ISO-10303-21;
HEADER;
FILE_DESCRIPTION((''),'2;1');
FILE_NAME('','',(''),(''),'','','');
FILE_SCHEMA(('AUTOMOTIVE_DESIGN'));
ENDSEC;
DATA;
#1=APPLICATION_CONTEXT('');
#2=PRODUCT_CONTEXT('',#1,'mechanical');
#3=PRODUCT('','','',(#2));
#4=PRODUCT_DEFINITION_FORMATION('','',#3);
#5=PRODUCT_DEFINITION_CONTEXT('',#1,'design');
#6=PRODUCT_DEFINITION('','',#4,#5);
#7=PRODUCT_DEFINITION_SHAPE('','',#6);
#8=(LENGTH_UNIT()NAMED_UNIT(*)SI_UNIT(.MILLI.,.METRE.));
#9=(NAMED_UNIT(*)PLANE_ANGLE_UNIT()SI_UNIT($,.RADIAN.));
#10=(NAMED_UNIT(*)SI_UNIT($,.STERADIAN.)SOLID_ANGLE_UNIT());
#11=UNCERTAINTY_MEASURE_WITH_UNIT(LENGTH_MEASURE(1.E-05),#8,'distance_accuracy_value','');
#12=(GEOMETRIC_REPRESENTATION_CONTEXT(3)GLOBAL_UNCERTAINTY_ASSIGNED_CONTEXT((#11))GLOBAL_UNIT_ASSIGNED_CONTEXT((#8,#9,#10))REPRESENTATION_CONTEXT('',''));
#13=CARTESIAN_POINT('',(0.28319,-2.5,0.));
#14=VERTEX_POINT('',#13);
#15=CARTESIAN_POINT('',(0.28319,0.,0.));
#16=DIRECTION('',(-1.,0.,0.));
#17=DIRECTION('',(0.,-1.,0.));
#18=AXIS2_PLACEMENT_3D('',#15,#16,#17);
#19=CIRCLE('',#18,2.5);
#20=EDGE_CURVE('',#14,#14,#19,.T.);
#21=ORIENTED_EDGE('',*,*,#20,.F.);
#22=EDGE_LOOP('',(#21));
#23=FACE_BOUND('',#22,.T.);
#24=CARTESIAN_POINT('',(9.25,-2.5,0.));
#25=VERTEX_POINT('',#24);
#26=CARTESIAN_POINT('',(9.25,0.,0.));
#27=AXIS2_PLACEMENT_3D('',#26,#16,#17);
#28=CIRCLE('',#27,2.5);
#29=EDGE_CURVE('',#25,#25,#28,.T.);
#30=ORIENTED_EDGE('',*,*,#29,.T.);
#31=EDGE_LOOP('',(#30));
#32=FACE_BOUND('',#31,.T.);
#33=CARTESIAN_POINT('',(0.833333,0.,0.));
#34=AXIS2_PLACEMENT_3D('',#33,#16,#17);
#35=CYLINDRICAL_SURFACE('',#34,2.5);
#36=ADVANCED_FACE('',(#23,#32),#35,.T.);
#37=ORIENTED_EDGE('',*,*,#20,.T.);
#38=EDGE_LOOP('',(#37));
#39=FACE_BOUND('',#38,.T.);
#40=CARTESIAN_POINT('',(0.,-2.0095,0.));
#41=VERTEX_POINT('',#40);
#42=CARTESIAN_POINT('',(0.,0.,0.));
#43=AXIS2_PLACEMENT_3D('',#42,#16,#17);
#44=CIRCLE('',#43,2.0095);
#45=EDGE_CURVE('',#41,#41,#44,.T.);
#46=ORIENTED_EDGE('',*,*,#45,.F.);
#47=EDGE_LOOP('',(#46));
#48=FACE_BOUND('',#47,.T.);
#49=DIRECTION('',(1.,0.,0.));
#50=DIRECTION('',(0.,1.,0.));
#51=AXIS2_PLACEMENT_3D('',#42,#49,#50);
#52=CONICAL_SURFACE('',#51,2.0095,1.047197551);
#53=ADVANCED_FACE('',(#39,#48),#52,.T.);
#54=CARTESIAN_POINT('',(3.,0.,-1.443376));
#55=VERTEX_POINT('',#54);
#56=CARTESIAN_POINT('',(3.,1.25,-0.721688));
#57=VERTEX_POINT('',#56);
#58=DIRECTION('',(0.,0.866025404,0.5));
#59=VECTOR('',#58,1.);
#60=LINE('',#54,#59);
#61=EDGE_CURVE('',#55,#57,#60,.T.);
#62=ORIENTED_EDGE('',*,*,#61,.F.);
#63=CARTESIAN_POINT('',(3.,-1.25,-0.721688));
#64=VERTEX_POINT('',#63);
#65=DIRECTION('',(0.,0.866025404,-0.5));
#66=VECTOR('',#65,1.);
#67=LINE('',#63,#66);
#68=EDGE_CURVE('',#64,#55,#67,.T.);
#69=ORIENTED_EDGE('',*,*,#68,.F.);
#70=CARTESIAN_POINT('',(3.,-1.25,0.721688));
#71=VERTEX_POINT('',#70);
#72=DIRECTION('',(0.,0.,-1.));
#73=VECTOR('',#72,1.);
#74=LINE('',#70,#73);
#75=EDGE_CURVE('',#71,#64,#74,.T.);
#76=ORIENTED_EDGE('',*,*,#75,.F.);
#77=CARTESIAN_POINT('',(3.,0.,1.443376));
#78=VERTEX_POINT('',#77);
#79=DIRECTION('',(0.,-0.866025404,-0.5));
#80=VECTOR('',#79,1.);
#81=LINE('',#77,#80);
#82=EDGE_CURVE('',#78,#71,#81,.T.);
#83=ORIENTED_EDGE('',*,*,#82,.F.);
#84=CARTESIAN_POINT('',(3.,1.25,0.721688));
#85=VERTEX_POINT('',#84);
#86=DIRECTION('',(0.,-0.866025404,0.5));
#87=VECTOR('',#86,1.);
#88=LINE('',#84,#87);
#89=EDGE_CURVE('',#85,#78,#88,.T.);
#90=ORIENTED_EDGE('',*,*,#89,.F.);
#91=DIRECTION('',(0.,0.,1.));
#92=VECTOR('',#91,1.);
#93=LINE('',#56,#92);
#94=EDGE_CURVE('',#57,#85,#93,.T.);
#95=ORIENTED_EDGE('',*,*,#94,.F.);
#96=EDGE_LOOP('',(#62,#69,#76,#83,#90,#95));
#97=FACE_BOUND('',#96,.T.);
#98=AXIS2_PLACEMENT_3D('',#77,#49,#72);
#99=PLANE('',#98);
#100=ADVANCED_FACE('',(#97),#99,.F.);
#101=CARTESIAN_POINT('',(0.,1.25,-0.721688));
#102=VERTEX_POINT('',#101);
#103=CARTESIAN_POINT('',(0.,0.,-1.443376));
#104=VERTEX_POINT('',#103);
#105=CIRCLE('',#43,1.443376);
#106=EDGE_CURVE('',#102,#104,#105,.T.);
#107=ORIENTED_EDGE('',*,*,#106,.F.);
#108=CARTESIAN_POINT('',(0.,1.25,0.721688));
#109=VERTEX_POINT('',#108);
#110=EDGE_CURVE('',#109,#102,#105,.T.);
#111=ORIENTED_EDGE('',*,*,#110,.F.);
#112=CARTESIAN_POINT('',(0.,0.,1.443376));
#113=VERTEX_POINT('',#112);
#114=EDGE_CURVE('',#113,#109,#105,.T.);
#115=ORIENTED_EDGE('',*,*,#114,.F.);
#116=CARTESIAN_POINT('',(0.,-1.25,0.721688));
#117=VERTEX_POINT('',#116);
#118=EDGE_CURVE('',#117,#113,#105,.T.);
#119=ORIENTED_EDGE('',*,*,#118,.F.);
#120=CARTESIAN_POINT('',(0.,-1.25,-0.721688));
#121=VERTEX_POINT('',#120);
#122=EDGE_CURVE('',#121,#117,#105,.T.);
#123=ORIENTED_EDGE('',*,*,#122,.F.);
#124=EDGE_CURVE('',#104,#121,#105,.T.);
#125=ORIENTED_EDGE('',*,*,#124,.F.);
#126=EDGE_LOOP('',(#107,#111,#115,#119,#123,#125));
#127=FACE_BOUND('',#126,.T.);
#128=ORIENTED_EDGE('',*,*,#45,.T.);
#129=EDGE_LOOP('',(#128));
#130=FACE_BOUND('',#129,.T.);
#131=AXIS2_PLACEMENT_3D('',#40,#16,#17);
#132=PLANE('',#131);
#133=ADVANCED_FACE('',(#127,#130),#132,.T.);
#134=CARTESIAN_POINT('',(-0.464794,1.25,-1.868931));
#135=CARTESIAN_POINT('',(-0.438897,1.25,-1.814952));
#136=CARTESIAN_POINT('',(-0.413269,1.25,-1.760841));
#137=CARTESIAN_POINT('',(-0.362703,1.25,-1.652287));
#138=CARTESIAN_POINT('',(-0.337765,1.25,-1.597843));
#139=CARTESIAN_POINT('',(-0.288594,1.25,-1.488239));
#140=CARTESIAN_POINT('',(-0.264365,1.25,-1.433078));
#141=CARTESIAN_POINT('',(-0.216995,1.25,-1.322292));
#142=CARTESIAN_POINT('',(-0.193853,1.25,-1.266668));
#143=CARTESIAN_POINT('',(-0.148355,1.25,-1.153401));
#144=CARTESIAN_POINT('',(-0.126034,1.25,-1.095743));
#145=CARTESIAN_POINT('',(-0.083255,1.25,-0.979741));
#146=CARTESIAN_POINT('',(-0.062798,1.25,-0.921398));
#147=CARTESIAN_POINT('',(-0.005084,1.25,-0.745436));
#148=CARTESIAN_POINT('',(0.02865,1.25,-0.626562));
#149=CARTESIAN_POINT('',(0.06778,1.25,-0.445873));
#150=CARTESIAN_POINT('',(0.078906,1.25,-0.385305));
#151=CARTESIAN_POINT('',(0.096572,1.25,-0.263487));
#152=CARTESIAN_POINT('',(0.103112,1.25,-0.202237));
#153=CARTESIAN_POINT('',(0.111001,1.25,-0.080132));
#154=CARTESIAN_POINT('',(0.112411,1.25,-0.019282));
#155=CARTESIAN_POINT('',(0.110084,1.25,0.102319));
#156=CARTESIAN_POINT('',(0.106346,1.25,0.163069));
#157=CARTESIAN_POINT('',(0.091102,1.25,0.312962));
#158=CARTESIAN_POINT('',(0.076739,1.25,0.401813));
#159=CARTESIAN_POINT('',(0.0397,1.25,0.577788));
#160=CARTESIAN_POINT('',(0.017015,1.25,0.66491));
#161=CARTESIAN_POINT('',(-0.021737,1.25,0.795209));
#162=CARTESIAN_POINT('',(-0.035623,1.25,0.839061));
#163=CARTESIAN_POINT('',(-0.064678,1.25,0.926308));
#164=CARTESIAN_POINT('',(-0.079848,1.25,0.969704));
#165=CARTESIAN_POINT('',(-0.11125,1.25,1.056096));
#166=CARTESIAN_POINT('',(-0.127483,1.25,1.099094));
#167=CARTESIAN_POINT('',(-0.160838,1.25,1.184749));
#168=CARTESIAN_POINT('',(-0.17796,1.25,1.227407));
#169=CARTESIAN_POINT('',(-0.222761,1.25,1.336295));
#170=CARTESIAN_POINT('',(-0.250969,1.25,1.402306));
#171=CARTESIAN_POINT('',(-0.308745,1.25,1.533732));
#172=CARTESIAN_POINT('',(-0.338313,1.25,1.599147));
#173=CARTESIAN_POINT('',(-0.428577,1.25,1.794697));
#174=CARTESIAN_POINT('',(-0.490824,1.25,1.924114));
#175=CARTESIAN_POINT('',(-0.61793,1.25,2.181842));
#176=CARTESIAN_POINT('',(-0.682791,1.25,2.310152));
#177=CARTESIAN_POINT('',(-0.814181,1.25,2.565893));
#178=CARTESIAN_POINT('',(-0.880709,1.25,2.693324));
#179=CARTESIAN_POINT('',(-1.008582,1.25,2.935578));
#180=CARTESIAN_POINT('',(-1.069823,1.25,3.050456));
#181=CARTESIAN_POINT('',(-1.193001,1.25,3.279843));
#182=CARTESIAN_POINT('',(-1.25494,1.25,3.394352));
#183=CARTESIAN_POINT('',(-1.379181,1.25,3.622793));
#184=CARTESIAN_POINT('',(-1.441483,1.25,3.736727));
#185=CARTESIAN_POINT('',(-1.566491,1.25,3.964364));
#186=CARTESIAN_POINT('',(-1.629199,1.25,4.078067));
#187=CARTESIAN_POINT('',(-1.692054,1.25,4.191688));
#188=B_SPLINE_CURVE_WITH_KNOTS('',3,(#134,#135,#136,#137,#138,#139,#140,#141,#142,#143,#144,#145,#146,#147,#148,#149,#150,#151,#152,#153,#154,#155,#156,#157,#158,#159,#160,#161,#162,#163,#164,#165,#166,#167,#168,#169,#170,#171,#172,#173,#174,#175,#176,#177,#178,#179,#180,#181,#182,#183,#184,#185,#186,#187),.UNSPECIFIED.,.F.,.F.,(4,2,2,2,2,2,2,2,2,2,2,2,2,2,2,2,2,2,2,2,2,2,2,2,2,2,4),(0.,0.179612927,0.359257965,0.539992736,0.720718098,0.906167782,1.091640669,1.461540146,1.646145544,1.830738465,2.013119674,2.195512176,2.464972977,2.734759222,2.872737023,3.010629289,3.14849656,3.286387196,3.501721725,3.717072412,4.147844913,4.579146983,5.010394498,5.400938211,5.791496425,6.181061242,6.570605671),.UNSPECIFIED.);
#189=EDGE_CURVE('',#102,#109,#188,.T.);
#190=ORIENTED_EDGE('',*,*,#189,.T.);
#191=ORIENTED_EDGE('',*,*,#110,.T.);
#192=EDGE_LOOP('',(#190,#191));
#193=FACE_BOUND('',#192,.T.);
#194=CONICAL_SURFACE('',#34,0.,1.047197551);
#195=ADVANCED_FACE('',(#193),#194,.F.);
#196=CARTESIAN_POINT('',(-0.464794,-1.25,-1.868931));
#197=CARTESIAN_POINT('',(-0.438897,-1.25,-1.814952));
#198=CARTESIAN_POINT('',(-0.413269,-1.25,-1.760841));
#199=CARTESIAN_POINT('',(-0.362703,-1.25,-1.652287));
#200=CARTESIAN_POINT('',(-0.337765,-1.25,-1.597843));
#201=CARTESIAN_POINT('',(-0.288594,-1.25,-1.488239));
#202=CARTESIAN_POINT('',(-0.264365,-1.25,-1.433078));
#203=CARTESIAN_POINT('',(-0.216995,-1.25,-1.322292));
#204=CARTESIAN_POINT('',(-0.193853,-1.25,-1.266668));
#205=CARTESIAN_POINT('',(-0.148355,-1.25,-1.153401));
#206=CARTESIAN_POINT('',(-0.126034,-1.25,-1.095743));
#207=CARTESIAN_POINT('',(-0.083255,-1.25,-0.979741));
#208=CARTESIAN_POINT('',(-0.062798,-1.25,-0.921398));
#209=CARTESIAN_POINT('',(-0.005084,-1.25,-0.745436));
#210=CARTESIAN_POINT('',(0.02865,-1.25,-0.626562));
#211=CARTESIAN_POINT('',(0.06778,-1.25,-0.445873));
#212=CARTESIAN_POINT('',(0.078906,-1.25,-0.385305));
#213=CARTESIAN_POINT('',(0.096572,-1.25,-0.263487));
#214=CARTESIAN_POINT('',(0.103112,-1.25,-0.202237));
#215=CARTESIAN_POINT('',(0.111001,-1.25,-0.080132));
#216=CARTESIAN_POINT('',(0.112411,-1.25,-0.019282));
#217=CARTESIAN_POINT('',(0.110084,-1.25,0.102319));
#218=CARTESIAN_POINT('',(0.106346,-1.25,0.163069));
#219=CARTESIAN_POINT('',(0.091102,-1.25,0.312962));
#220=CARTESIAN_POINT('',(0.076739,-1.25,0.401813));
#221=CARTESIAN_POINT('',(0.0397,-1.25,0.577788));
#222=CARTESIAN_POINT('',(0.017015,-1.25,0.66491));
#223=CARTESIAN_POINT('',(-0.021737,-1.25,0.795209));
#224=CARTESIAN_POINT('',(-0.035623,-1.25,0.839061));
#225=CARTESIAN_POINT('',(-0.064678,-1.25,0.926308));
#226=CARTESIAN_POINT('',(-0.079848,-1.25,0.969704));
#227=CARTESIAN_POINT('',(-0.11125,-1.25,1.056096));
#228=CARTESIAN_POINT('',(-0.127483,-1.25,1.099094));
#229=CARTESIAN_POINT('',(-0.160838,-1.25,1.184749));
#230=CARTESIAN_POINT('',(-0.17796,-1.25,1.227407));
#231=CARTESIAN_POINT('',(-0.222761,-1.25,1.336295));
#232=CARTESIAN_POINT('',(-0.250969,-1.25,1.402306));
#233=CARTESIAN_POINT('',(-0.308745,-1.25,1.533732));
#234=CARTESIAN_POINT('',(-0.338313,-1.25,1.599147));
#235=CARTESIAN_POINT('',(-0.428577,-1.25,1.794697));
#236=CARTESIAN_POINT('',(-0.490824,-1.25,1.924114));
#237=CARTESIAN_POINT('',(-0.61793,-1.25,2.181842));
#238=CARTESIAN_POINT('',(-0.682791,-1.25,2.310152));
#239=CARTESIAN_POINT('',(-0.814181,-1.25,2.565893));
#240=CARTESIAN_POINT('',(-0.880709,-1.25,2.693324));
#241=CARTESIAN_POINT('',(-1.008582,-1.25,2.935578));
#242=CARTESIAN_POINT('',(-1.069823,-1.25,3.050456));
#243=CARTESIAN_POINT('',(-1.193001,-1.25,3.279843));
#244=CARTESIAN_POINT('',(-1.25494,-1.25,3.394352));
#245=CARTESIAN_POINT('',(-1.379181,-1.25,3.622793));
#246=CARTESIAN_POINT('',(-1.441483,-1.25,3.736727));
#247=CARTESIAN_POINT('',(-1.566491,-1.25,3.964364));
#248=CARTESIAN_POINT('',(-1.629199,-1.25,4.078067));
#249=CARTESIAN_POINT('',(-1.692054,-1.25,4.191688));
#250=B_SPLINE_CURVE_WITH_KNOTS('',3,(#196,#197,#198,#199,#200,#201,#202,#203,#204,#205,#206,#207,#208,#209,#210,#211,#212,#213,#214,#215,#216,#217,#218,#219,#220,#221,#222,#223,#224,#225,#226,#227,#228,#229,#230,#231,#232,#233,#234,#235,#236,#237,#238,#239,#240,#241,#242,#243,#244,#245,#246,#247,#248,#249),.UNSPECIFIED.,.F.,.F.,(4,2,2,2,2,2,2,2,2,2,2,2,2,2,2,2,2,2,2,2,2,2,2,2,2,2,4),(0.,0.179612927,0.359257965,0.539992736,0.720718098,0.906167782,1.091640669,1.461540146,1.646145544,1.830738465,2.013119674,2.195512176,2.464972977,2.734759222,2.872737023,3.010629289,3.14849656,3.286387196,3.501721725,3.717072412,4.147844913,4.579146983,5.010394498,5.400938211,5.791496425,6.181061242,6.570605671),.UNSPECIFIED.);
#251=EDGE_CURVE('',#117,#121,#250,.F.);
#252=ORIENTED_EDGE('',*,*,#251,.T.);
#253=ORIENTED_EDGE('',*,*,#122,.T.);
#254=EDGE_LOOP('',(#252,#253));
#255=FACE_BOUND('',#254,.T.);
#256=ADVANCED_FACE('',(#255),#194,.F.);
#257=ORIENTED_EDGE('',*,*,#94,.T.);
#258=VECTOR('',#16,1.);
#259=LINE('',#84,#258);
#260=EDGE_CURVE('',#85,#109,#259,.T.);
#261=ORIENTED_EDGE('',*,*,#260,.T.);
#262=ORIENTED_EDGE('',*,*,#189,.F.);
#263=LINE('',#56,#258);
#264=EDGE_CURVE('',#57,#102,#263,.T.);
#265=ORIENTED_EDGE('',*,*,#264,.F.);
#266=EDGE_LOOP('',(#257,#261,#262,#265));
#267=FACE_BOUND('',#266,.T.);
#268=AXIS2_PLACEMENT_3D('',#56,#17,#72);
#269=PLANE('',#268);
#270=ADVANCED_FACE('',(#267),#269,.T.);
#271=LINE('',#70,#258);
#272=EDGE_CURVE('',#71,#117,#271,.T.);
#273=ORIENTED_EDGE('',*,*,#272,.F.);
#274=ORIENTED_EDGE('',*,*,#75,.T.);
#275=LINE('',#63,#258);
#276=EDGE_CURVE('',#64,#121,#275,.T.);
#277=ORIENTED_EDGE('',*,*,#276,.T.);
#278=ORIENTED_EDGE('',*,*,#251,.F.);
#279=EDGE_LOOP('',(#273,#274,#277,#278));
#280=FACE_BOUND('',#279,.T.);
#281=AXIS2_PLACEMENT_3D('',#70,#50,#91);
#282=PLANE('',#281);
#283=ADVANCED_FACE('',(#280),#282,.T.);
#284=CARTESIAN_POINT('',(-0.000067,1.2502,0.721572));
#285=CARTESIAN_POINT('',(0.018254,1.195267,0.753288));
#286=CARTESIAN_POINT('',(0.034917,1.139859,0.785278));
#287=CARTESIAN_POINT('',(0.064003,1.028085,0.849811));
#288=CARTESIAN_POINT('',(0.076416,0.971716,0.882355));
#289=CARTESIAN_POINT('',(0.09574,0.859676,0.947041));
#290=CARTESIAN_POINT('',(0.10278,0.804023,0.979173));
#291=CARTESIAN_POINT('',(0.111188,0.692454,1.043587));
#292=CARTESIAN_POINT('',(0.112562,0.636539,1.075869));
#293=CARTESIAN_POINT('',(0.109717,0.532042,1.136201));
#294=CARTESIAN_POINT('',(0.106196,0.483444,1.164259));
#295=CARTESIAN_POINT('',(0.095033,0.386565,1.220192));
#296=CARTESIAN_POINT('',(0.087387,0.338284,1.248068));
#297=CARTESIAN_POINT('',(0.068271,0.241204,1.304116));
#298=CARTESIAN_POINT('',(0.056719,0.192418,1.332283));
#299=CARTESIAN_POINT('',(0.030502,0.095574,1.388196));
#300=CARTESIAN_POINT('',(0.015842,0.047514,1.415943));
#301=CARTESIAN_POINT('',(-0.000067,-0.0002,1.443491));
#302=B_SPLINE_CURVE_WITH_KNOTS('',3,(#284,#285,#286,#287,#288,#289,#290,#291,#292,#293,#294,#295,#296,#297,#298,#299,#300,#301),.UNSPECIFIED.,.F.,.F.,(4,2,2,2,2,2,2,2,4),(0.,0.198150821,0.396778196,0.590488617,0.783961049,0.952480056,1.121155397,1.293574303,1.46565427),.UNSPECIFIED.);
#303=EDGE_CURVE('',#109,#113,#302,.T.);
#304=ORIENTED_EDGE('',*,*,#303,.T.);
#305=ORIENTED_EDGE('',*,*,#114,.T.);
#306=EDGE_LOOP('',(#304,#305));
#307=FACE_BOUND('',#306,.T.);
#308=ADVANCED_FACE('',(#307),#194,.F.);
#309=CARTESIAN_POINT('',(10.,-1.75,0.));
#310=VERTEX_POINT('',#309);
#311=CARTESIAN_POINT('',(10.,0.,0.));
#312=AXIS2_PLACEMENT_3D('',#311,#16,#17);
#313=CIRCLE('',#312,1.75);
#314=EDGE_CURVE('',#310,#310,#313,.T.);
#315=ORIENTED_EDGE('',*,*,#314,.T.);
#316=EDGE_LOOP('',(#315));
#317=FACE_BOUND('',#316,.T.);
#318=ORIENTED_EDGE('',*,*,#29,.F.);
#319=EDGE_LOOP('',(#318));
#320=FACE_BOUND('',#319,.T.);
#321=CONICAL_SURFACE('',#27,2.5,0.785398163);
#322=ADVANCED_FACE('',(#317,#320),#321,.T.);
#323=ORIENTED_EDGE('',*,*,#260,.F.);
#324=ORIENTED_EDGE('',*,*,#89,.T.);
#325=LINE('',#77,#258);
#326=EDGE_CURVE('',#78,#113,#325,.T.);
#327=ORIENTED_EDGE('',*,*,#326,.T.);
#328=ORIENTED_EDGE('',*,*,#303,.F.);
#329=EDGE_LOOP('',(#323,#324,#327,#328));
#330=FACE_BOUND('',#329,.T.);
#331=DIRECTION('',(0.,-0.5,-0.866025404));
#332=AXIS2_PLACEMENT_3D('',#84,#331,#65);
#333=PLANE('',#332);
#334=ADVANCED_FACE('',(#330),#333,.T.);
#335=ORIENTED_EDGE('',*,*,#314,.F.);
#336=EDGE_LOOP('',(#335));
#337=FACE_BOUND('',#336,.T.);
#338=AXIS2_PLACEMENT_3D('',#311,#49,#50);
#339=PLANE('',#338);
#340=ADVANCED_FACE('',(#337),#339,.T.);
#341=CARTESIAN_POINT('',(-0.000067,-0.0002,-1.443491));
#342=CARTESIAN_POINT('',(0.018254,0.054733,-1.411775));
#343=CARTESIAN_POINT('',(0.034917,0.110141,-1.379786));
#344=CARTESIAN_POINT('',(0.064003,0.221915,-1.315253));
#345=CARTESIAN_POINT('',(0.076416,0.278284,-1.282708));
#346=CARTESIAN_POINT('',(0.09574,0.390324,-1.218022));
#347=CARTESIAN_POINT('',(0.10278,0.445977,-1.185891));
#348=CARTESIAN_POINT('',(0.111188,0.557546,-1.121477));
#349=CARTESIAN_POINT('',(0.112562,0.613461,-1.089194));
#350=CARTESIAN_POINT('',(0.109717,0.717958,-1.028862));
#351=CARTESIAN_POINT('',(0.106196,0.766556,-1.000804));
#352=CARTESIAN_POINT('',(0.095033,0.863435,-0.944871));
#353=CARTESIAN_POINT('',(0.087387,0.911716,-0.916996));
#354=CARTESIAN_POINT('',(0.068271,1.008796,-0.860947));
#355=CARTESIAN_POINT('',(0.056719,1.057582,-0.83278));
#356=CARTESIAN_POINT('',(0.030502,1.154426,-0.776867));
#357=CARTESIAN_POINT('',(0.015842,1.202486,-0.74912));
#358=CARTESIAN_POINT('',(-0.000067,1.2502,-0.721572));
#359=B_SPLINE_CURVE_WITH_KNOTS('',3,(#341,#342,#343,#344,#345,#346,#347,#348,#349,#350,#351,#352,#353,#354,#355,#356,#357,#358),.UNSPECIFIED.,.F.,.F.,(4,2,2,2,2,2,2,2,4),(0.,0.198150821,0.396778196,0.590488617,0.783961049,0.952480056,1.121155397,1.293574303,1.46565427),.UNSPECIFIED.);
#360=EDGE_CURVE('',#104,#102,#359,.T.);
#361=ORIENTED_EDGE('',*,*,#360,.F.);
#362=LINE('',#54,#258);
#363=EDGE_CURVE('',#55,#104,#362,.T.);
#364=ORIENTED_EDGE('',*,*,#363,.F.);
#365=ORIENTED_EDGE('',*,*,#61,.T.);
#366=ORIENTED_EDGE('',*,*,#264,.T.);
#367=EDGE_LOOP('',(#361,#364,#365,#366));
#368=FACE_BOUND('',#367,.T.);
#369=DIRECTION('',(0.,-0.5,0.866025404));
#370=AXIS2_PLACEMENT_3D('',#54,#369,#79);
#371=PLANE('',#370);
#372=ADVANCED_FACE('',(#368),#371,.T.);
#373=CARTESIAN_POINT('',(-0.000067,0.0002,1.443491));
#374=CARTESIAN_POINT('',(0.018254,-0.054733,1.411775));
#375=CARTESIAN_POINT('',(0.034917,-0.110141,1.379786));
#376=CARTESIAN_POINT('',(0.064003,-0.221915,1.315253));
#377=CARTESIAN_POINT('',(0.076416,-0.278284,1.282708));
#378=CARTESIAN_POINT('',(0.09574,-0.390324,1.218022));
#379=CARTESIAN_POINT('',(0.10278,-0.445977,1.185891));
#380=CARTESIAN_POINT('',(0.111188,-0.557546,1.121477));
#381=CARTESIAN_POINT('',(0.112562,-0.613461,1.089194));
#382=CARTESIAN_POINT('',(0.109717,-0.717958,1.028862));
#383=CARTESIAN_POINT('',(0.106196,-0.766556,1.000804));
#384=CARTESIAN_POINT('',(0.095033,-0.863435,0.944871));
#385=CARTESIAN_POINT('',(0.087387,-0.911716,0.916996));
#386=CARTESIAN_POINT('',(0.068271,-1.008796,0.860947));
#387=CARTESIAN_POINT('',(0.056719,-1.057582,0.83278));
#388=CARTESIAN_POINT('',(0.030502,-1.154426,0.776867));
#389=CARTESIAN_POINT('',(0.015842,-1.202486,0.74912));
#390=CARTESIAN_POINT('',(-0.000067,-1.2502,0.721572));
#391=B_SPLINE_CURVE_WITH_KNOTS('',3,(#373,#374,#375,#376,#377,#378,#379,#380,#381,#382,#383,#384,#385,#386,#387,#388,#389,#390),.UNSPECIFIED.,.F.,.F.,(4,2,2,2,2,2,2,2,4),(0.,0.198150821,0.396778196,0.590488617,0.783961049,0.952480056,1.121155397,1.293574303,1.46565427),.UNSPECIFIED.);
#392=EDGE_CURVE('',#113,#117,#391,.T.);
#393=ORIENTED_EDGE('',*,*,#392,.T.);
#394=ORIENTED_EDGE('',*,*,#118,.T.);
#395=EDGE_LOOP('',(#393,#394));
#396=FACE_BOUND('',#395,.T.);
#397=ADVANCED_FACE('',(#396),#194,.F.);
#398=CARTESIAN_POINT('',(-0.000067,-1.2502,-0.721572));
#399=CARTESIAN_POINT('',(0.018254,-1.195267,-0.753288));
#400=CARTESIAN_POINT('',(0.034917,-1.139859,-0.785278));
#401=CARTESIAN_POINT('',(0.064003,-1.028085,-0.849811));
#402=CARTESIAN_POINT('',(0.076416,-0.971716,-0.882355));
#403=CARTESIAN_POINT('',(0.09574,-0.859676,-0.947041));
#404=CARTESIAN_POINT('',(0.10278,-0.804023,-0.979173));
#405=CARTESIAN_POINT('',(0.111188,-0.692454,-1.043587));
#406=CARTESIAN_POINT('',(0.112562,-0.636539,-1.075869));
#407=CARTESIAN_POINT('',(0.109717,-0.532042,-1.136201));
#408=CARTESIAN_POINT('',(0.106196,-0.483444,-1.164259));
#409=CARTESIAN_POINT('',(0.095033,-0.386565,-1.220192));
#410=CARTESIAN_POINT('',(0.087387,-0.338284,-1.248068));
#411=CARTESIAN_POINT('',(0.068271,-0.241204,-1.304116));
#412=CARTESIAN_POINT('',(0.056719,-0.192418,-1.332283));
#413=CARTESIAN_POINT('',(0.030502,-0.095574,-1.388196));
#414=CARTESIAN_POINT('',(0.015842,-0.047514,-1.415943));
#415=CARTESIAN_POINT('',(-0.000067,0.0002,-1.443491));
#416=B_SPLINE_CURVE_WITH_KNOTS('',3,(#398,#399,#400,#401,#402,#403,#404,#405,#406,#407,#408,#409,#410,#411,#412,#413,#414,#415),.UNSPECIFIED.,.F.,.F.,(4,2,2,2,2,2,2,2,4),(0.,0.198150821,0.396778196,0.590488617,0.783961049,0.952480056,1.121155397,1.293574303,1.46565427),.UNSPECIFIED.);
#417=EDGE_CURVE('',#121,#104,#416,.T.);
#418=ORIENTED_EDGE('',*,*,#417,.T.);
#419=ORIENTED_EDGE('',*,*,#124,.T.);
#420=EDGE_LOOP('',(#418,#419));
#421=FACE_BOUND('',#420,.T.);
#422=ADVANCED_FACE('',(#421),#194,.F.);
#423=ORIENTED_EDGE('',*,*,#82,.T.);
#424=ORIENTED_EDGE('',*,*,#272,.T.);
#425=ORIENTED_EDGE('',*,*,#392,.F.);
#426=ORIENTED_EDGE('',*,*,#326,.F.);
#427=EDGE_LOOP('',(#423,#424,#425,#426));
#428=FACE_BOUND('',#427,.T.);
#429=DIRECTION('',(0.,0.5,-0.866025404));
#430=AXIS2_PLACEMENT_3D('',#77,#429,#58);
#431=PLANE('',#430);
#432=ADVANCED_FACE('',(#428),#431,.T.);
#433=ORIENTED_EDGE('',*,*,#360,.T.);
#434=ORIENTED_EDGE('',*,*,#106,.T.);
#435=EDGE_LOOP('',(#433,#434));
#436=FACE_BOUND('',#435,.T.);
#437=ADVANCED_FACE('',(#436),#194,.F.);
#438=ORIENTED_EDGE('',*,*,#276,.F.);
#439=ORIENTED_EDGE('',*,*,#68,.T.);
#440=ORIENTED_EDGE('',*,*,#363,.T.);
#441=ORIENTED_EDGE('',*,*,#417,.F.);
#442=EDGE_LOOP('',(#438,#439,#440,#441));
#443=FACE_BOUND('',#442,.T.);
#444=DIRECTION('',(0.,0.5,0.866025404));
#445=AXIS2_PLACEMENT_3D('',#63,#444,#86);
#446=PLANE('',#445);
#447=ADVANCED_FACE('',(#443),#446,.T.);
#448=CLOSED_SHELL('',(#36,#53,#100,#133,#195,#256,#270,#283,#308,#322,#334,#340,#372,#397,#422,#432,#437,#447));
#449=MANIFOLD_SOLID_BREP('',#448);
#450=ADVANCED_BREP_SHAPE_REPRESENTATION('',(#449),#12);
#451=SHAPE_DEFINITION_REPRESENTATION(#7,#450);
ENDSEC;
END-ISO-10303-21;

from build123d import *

# Parameters (mm, degrees)
CUT_EXTRUDE1_DEPTH = 3


with BuildPart() as part:
    # Sketch1 → Revolve1 (revolve)
    with BuildSketch(Plane.XY):
        Polygon((10, 0), (10, -1.75), (9.25, -2.5), (0.283190307, -2.5), (0, -2.0095), (0, -1.443375673), (0.833333333, 0), align=None)
    revolve(axis=Axis((0.833333333, 0, 0), (1, 0, 0)))

    # Sketch2 → Cut-Extrude1 (cut)
    with BuildSketch(Plane(origin=(0, 0, 0), x_dir=(0, 0, -1), z_dir=(1, 0, 0))):
        Polygon((-1.443375673, 0), (-0.721687836, -1.25), (0.721687836, -1.25), (1.443375673, 0), (0.721687836, 1.25), (-0.721687836, 1.25), align=None)
    extrude(amount=CUT_EXTRUDE1_DEPTH, mode=Mode.SUBTRACT)


solid = part.part
